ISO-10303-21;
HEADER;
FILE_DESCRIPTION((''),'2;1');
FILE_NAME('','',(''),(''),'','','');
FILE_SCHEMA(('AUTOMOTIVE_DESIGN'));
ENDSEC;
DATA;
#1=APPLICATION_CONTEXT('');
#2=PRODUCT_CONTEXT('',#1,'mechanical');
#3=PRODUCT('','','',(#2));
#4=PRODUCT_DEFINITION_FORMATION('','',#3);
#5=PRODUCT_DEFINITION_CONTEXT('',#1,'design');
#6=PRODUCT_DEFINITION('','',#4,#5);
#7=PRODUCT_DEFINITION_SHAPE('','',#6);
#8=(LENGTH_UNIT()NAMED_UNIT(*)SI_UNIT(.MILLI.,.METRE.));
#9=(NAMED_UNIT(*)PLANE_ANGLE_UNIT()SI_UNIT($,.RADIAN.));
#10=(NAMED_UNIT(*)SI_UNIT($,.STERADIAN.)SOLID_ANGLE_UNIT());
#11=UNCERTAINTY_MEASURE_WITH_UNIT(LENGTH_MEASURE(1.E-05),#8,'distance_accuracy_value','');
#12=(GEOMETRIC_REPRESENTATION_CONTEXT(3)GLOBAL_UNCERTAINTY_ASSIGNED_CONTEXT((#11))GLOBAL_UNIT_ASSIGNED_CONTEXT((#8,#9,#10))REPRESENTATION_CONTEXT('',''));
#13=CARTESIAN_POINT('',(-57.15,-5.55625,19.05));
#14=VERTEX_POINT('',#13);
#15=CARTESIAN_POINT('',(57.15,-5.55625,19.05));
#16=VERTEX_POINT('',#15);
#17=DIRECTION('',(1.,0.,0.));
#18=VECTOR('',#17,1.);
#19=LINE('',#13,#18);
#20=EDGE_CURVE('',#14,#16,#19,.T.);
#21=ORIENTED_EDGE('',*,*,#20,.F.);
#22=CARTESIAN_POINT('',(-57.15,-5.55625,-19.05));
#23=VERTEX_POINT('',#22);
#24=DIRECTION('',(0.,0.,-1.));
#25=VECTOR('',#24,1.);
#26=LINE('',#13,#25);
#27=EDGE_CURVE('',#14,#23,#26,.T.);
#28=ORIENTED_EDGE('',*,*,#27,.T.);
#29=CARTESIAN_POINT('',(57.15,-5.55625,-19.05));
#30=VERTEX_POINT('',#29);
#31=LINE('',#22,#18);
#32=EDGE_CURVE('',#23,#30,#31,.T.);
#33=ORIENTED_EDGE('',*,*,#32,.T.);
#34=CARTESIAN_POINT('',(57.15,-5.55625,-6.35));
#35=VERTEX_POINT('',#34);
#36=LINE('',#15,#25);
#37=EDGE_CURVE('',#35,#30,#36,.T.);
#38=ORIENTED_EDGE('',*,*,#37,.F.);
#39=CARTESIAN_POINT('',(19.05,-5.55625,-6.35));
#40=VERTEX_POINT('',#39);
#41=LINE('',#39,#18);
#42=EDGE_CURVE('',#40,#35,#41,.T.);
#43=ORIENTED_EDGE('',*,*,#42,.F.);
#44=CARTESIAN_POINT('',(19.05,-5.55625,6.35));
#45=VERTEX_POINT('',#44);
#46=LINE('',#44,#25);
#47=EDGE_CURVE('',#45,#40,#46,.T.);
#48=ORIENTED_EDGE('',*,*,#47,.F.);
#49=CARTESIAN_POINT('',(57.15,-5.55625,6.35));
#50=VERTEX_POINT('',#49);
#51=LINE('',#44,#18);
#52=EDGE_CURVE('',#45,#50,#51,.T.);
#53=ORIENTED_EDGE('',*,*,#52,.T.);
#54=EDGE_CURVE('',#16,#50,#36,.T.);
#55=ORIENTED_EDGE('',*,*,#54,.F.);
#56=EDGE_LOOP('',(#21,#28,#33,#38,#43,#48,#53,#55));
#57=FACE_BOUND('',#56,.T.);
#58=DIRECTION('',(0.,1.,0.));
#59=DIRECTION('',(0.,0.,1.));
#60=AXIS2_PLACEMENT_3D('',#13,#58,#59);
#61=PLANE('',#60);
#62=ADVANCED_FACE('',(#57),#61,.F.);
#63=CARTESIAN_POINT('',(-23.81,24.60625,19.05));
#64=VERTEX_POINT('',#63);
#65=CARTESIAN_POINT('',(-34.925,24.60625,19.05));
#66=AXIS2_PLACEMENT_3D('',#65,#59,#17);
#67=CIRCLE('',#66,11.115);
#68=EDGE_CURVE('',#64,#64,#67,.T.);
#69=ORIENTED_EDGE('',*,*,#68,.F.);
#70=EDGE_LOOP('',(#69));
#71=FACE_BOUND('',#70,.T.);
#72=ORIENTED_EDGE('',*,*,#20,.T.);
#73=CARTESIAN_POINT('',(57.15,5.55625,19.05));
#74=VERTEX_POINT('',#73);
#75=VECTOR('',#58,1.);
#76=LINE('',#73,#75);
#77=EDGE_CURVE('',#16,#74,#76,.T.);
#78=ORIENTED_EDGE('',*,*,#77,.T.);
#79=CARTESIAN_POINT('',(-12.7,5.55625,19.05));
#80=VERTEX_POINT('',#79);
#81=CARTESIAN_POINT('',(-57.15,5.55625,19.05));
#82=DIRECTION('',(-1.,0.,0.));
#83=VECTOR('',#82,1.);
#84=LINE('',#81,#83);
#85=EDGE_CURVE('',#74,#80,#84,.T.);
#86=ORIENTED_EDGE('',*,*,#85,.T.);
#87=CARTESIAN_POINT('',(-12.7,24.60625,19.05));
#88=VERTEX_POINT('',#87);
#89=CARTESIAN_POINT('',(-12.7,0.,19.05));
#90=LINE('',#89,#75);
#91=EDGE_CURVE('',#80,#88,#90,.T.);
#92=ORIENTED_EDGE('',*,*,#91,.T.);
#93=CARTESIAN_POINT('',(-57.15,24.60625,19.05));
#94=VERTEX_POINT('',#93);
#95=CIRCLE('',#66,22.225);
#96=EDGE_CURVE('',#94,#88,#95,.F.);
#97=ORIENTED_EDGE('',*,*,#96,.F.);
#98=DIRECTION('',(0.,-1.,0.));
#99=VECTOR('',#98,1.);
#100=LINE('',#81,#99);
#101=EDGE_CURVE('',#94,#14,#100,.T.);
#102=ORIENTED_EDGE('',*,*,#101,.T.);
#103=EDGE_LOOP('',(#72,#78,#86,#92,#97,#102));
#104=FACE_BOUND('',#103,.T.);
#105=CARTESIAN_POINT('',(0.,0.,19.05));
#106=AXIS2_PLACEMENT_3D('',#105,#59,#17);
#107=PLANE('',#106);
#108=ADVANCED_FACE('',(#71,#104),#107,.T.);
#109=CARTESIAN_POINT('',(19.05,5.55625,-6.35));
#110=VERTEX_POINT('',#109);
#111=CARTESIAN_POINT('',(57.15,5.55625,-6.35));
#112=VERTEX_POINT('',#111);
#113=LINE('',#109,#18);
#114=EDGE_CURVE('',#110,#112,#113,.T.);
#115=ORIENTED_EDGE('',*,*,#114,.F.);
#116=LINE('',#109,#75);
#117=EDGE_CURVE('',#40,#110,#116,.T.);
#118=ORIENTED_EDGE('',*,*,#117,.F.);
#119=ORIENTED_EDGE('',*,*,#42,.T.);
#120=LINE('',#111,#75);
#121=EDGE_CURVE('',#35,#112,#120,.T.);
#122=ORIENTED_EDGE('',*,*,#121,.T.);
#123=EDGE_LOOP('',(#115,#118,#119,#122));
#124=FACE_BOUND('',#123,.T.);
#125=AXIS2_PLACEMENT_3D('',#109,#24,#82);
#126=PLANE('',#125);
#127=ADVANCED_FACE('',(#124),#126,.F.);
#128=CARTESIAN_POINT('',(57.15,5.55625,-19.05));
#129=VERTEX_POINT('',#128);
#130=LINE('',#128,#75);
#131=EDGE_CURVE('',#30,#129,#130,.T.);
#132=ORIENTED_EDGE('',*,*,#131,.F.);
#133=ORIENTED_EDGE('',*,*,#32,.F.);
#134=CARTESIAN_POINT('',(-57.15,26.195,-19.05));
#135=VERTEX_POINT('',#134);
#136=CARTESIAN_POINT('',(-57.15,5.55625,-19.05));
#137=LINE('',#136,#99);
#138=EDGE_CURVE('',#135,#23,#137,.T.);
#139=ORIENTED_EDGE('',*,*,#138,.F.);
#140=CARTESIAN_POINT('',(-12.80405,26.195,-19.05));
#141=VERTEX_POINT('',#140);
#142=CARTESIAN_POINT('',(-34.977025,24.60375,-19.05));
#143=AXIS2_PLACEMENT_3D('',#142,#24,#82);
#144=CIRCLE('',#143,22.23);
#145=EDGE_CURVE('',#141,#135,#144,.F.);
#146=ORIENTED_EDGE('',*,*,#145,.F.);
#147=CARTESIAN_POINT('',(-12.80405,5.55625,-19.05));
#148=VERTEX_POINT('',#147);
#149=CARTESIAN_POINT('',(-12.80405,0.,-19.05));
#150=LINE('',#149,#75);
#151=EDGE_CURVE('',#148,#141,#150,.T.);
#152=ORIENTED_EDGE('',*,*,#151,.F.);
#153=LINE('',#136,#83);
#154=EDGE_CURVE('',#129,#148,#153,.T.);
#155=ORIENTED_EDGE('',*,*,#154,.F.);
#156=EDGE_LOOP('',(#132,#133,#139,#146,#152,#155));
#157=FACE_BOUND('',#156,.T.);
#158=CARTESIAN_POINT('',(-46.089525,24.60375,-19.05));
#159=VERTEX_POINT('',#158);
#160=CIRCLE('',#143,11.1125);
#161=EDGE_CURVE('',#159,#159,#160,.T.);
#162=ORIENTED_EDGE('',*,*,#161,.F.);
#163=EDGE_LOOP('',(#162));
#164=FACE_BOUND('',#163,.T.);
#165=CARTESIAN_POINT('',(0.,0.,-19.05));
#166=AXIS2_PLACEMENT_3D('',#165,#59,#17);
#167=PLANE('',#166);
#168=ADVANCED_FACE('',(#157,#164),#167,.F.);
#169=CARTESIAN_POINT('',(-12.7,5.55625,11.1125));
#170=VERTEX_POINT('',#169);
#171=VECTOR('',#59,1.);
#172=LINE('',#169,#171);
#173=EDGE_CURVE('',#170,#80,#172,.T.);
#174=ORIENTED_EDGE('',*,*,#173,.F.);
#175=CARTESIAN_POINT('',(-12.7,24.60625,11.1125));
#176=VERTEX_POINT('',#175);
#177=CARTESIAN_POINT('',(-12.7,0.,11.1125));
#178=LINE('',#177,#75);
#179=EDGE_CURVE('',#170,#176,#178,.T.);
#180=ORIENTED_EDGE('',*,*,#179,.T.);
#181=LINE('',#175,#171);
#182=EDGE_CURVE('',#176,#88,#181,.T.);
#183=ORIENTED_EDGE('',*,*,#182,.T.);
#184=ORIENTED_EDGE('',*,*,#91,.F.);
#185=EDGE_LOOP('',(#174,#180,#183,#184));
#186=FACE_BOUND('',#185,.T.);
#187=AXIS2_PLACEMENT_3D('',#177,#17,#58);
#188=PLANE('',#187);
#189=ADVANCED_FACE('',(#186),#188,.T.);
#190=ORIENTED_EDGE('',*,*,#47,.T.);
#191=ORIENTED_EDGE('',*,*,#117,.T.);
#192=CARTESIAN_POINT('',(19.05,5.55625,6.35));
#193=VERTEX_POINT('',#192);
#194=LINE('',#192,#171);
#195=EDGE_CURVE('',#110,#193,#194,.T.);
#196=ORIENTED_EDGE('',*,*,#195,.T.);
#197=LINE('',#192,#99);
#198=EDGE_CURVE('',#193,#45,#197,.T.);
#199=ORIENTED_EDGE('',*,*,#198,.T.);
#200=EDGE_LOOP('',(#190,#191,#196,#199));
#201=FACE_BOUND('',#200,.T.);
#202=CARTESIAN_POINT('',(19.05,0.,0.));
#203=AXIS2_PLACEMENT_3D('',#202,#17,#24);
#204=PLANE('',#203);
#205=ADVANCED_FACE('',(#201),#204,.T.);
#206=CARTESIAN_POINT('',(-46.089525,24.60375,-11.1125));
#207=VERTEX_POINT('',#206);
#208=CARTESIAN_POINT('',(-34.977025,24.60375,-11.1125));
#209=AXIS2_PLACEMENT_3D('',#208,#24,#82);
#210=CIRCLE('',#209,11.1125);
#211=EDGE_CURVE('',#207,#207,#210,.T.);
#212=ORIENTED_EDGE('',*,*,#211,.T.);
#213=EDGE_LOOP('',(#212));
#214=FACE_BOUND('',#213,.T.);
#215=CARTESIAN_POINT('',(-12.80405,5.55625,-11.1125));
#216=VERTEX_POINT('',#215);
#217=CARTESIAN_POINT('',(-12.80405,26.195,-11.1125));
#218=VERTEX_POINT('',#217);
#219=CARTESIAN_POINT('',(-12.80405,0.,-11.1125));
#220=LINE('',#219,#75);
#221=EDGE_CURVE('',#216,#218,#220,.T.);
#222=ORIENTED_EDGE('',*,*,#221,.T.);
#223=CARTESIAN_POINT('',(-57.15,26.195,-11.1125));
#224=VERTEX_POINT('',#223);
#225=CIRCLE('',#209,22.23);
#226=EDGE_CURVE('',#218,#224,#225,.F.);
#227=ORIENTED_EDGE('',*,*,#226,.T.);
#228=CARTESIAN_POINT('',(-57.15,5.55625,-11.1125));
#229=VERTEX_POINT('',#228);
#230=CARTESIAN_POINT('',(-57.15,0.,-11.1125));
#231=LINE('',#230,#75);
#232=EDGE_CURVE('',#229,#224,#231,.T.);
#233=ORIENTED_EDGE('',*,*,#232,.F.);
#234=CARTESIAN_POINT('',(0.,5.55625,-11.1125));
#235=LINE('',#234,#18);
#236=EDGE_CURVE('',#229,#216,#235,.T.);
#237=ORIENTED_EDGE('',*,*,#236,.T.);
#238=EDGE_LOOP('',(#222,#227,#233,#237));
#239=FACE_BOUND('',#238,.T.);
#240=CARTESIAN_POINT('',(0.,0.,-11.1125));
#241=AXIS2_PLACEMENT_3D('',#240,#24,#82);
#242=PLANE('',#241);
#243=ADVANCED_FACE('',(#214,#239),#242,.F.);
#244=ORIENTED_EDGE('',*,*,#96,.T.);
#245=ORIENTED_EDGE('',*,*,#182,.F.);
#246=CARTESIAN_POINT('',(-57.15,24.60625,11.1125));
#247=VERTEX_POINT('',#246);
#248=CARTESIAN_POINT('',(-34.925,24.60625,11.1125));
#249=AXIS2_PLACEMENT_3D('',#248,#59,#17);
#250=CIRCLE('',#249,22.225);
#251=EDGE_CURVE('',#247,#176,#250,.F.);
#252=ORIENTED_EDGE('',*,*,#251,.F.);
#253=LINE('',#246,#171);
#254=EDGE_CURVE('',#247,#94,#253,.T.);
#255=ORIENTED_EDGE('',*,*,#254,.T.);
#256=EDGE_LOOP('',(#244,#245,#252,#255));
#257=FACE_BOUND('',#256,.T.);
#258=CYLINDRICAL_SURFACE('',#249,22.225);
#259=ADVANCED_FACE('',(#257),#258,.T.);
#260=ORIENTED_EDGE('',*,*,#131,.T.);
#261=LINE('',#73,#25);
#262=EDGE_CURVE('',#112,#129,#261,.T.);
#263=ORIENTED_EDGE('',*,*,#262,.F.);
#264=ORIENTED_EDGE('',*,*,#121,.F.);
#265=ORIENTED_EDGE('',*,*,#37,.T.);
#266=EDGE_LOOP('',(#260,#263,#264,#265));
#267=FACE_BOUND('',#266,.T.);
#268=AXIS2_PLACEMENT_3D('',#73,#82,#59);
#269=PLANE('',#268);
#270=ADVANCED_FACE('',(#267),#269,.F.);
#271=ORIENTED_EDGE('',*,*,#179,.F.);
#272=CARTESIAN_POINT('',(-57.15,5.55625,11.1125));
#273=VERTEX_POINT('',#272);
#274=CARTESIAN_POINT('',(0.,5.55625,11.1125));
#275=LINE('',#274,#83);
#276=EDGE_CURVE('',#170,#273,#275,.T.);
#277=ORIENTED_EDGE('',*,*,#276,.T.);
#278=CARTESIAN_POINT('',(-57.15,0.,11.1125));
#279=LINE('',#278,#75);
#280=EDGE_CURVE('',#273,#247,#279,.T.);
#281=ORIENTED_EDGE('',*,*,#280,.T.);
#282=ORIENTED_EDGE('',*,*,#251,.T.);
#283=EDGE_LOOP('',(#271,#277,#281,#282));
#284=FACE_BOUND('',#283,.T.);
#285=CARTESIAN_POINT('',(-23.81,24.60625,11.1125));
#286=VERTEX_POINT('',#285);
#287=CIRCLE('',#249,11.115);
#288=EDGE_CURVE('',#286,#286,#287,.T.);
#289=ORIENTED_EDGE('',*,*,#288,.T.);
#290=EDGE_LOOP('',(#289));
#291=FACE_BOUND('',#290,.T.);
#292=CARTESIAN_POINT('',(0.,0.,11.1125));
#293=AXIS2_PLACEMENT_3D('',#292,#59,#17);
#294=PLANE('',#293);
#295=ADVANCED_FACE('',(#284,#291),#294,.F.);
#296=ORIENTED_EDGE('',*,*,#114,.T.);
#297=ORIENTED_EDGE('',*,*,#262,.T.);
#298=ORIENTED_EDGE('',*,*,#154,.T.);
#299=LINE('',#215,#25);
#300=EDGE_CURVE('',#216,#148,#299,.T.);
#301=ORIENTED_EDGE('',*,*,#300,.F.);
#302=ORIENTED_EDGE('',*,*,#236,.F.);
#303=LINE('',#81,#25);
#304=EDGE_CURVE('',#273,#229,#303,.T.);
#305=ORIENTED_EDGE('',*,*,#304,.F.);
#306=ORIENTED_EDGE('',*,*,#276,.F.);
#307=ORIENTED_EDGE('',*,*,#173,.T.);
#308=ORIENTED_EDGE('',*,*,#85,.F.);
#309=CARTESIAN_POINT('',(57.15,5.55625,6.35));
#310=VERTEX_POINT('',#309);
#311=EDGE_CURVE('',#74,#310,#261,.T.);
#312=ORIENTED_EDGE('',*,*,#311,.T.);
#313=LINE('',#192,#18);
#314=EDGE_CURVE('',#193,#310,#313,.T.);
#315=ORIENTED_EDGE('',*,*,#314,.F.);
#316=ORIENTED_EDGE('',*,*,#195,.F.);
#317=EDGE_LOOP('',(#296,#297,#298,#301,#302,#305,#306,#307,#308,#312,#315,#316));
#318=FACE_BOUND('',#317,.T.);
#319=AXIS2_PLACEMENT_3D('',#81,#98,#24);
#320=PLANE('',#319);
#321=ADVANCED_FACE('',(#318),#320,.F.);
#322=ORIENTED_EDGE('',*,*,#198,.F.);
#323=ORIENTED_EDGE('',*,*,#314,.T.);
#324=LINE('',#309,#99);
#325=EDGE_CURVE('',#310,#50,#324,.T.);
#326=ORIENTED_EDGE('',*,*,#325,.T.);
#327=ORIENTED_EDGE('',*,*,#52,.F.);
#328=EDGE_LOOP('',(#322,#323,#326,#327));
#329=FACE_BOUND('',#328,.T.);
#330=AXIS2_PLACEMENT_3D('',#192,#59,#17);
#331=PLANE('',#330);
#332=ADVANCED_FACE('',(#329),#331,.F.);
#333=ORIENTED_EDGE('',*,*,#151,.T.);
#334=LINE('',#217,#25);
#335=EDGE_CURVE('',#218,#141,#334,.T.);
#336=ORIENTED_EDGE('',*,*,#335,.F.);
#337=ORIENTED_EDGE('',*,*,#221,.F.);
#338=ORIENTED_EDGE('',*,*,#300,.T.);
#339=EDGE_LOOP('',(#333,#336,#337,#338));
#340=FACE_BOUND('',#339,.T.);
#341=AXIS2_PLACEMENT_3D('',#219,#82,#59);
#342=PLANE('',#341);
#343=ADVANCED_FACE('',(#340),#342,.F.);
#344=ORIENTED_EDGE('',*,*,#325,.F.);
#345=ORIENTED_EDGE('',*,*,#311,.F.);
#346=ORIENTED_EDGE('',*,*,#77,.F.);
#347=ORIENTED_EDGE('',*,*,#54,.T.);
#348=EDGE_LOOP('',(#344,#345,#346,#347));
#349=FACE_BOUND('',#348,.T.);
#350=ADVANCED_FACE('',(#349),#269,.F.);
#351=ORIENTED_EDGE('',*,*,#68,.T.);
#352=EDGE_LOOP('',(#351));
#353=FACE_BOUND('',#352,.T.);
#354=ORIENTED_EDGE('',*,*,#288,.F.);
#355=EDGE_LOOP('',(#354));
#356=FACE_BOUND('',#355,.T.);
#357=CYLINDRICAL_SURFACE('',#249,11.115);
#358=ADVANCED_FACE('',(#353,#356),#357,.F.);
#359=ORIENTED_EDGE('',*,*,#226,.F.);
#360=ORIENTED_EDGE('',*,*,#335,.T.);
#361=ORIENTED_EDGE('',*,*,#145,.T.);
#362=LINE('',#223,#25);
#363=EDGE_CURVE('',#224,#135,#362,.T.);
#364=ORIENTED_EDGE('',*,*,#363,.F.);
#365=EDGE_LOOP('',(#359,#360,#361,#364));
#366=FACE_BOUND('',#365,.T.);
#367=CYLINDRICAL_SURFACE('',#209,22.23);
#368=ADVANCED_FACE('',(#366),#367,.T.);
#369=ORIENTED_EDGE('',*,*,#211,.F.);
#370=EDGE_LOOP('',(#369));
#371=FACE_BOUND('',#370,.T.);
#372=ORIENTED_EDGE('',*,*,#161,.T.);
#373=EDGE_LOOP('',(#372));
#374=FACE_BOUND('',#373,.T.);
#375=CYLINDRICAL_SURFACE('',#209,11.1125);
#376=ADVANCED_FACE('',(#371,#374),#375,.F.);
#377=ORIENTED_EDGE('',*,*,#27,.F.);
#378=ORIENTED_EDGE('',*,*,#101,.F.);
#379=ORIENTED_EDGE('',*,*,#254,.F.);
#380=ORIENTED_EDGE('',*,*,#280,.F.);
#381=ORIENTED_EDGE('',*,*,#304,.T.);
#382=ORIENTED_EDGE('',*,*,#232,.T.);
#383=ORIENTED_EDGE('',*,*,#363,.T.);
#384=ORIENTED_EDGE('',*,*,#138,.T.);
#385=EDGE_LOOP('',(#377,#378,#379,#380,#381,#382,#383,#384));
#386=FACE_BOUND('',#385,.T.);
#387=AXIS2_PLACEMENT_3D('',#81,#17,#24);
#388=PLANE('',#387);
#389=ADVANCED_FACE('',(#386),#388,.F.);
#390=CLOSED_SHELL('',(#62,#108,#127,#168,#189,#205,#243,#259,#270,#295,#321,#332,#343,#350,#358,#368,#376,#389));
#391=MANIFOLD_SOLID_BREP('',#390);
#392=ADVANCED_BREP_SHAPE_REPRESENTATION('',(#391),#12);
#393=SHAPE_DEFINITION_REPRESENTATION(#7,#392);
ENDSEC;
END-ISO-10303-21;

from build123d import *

# Parameters (mm, degrees)
SKETCH1_W           = 114.3
SKETCH1_H           = 11.1125
BOSS_EXTRUDE1_DEPTH = 19.05
SKETCH3_W           = 12.7
SKETCH3_H           = 11.1125
CUT_EXTRUDE1_DEPTH  = 38.1
SKETCH4_R           = 11.115
BOSS_EXTRUDE2_DEPTH = 7.9375
SKETCH5_R           = 11.1125
BOSS_EXTRUDE3_DEPTH = 7.9375


with BuildPart() as part:
    # Sketch1 → Boss-Extrude1 (new, symmetric)
    with BuildSketch(Plane.XY):
        Rectangle(SKETCH1_W, SKETCH1_H)
    extrude(amount=BOSS_EXTRUDE1_DEPTH, both=True)

    # Sketch3 → Cut-Extrude1 (cut)
    with BuildSketch(Plane(origin=(57.15, 0, 0), x_dir=(0, 0, -1), z_dir=(1, 0, 0))):
        Rectangle(SKETCH3_W, SKETCH3_H)
    extrude(amount=-CUT_EXTRUDE1_DEPTH, mode=Mode.SUBTRACT)

    # Sketch4 → Boss-Extrude2 (add)
    with BuildSketch(Plane.XY.offset(19.05)):
        with BuildLine():
            Line((-57.15, 24.60625), (-57.15, 5.55625))
            Line((-57.15, 5.55625), (-12.7, 5.55625))
            Line((-12.7, 5.55625), (-12.7, 24.60625))
            ThreePointArc((-12.7, 24.60625), (-19.209551788, 40.321698212), (-34.925, 46.83125))
            ThreePointArc((-34.925, 46.83125), (-50.640448212, 40.321698212), (-57.15, 24.60625))
        make_face()
        with Locations((-34.925, 24.60625)):
            Circle(SKETCH4_R, mode=Mode.SUBTRACT)
    extrude(amount=-BOSS_EXTRUDE2_DEPTH)

    # Sketch5 → Boss-Extrude3 (add)
    with BuildSketch(Plane(origin=(0, 0, -19.05), x_dir=(-1, 0, 0), z_dir=(0, 0, -1))):
        with BuildLine():
            Line((12.804049861, 5.55625), (57.15, 5.55625))
            Line((57.15, 5.55625), (57.15, 26.195))
            ThreePointArc((57.15, 26.195), (50.122971728, 40.875602864), (34.977024762, 46.83375))
            ThreePointArc((34.977024762, 46.83375), (19.83107801, 40.875602749), (12.804049861, 26.195))
            Line((12.804049861, 26.195), (12.804049861, 5.55625))
        make_face()
        with Locations((34.97702493, 24.60375)):
            Circle(SKETCH5_R, mode=Mode.SUBTRACT)
    extrude(amount=-BOSS_EXTRUDE3_DEPTH)


solid = part.part
